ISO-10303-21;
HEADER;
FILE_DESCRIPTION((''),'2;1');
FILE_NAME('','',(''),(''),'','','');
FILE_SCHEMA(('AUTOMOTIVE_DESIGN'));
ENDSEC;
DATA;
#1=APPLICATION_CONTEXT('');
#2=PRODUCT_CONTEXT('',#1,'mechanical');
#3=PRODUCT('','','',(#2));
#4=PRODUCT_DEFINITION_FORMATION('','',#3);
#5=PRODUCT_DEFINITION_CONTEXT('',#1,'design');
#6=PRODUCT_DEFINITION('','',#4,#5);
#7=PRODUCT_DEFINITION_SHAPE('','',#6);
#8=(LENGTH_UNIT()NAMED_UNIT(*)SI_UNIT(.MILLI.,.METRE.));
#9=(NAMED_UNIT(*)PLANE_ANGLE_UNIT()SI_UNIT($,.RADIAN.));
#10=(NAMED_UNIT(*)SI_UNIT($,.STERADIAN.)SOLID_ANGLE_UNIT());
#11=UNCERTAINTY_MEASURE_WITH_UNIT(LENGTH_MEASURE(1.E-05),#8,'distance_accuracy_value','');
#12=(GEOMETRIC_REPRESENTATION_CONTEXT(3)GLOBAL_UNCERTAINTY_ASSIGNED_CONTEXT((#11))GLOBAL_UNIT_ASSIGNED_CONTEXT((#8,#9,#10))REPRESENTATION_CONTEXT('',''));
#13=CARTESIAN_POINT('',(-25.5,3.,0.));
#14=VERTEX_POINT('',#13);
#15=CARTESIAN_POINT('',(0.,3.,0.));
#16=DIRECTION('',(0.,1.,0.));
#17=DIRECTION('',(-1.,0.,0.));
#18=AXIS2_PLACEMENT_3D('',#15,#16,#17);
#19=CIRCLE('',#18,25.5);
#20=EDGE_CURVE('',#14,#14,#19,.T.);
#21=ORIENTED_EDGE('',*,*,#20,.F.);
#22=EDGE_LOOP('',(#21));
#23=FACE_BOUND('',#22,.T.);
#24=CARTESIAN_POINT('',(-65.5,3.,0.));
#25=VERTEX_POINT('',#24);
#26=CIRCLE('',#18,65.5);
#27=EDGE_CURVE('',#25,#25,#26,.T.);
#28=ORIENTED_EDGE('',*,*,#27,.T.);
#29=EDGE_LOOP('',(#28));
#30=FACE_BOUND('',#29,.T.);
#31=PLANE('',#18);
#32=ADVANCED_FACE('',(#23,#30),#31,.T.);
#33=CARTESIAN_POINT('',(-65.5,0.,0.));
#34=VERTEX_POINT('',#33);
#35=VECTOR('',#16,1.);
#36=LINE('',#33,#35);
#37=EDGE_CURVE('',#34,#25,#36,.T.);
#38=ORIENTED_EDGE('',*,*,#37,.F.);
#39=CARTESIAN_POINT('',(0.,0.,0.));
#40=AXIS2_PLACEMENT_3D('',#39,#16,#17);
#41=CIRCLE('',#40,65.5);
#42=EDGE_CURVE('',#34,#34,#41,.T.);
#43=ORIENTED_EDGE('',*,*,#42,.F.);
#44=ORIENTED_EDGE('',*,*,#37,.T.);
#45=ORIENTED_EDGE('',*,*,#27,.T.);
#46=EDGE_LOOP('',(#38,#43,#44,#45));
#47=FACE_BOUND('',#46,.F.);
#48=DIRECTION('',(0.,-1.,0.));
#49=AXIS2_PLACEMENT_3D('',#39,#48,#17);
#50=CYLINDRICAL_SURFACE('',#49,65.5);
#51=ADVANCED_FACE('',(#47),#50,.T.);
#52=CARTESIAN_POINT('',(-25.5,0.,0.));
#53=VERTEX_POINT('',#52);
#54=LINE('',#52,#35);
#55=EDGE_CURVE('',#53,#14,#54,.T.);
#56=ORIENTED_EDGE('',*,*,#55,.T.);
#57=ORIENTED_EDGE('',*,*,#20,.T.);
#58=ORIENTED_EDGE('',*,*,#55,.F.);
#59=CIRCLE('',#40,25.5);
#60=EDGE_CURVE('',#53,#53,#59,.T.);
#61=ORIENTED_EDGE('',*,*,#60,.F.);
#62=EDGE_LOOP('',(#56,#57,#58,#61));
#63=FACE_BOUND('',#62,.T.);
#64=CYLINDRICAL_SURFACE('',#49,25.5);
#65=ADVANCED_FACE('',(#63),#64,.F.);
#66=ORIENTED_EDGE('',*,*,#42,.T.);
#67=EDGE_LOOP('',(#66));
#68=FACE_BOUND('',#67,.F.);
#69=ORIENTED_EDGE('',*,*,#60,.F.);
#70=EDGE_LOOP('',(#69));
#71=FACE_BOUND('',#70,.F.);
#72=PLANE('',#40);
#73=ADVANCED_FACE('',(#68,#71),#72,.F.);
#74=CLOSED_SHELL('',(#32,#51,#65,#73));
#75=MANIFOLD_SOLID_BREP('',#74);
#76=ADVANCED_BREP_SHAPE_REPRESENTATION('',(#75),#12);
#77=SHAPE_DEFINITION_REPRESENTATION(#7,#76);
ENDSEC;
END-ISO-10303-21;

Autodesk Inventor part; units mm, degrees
ref_plane "YZ Plane" through (0, 0, 0) normal (1, 0, 0) x (0, 1, 0)
ref_plane "XZ Plane" through (0, 0, 0) normal (0, 1, 0) x (-1, 0, 0)
ref_plane "XY Plane" through (0, 0, 0) normal (0, 0, 1) x (1, 0, 0)
sketch "Sketch1" plane through (0, 0, 0) normal (0, 1, 0) x (-1, 0, 0)
  circle A0 centre (0, 0) radius 65.5
  circle A1 centre (0, 0) radius 25.5
  dimension "d0" = 51
  dimension "d1" = 40
extrude "Extrusion1" add sketch "Sketch1" along normal blind 3
properties part number "upper card holder"
